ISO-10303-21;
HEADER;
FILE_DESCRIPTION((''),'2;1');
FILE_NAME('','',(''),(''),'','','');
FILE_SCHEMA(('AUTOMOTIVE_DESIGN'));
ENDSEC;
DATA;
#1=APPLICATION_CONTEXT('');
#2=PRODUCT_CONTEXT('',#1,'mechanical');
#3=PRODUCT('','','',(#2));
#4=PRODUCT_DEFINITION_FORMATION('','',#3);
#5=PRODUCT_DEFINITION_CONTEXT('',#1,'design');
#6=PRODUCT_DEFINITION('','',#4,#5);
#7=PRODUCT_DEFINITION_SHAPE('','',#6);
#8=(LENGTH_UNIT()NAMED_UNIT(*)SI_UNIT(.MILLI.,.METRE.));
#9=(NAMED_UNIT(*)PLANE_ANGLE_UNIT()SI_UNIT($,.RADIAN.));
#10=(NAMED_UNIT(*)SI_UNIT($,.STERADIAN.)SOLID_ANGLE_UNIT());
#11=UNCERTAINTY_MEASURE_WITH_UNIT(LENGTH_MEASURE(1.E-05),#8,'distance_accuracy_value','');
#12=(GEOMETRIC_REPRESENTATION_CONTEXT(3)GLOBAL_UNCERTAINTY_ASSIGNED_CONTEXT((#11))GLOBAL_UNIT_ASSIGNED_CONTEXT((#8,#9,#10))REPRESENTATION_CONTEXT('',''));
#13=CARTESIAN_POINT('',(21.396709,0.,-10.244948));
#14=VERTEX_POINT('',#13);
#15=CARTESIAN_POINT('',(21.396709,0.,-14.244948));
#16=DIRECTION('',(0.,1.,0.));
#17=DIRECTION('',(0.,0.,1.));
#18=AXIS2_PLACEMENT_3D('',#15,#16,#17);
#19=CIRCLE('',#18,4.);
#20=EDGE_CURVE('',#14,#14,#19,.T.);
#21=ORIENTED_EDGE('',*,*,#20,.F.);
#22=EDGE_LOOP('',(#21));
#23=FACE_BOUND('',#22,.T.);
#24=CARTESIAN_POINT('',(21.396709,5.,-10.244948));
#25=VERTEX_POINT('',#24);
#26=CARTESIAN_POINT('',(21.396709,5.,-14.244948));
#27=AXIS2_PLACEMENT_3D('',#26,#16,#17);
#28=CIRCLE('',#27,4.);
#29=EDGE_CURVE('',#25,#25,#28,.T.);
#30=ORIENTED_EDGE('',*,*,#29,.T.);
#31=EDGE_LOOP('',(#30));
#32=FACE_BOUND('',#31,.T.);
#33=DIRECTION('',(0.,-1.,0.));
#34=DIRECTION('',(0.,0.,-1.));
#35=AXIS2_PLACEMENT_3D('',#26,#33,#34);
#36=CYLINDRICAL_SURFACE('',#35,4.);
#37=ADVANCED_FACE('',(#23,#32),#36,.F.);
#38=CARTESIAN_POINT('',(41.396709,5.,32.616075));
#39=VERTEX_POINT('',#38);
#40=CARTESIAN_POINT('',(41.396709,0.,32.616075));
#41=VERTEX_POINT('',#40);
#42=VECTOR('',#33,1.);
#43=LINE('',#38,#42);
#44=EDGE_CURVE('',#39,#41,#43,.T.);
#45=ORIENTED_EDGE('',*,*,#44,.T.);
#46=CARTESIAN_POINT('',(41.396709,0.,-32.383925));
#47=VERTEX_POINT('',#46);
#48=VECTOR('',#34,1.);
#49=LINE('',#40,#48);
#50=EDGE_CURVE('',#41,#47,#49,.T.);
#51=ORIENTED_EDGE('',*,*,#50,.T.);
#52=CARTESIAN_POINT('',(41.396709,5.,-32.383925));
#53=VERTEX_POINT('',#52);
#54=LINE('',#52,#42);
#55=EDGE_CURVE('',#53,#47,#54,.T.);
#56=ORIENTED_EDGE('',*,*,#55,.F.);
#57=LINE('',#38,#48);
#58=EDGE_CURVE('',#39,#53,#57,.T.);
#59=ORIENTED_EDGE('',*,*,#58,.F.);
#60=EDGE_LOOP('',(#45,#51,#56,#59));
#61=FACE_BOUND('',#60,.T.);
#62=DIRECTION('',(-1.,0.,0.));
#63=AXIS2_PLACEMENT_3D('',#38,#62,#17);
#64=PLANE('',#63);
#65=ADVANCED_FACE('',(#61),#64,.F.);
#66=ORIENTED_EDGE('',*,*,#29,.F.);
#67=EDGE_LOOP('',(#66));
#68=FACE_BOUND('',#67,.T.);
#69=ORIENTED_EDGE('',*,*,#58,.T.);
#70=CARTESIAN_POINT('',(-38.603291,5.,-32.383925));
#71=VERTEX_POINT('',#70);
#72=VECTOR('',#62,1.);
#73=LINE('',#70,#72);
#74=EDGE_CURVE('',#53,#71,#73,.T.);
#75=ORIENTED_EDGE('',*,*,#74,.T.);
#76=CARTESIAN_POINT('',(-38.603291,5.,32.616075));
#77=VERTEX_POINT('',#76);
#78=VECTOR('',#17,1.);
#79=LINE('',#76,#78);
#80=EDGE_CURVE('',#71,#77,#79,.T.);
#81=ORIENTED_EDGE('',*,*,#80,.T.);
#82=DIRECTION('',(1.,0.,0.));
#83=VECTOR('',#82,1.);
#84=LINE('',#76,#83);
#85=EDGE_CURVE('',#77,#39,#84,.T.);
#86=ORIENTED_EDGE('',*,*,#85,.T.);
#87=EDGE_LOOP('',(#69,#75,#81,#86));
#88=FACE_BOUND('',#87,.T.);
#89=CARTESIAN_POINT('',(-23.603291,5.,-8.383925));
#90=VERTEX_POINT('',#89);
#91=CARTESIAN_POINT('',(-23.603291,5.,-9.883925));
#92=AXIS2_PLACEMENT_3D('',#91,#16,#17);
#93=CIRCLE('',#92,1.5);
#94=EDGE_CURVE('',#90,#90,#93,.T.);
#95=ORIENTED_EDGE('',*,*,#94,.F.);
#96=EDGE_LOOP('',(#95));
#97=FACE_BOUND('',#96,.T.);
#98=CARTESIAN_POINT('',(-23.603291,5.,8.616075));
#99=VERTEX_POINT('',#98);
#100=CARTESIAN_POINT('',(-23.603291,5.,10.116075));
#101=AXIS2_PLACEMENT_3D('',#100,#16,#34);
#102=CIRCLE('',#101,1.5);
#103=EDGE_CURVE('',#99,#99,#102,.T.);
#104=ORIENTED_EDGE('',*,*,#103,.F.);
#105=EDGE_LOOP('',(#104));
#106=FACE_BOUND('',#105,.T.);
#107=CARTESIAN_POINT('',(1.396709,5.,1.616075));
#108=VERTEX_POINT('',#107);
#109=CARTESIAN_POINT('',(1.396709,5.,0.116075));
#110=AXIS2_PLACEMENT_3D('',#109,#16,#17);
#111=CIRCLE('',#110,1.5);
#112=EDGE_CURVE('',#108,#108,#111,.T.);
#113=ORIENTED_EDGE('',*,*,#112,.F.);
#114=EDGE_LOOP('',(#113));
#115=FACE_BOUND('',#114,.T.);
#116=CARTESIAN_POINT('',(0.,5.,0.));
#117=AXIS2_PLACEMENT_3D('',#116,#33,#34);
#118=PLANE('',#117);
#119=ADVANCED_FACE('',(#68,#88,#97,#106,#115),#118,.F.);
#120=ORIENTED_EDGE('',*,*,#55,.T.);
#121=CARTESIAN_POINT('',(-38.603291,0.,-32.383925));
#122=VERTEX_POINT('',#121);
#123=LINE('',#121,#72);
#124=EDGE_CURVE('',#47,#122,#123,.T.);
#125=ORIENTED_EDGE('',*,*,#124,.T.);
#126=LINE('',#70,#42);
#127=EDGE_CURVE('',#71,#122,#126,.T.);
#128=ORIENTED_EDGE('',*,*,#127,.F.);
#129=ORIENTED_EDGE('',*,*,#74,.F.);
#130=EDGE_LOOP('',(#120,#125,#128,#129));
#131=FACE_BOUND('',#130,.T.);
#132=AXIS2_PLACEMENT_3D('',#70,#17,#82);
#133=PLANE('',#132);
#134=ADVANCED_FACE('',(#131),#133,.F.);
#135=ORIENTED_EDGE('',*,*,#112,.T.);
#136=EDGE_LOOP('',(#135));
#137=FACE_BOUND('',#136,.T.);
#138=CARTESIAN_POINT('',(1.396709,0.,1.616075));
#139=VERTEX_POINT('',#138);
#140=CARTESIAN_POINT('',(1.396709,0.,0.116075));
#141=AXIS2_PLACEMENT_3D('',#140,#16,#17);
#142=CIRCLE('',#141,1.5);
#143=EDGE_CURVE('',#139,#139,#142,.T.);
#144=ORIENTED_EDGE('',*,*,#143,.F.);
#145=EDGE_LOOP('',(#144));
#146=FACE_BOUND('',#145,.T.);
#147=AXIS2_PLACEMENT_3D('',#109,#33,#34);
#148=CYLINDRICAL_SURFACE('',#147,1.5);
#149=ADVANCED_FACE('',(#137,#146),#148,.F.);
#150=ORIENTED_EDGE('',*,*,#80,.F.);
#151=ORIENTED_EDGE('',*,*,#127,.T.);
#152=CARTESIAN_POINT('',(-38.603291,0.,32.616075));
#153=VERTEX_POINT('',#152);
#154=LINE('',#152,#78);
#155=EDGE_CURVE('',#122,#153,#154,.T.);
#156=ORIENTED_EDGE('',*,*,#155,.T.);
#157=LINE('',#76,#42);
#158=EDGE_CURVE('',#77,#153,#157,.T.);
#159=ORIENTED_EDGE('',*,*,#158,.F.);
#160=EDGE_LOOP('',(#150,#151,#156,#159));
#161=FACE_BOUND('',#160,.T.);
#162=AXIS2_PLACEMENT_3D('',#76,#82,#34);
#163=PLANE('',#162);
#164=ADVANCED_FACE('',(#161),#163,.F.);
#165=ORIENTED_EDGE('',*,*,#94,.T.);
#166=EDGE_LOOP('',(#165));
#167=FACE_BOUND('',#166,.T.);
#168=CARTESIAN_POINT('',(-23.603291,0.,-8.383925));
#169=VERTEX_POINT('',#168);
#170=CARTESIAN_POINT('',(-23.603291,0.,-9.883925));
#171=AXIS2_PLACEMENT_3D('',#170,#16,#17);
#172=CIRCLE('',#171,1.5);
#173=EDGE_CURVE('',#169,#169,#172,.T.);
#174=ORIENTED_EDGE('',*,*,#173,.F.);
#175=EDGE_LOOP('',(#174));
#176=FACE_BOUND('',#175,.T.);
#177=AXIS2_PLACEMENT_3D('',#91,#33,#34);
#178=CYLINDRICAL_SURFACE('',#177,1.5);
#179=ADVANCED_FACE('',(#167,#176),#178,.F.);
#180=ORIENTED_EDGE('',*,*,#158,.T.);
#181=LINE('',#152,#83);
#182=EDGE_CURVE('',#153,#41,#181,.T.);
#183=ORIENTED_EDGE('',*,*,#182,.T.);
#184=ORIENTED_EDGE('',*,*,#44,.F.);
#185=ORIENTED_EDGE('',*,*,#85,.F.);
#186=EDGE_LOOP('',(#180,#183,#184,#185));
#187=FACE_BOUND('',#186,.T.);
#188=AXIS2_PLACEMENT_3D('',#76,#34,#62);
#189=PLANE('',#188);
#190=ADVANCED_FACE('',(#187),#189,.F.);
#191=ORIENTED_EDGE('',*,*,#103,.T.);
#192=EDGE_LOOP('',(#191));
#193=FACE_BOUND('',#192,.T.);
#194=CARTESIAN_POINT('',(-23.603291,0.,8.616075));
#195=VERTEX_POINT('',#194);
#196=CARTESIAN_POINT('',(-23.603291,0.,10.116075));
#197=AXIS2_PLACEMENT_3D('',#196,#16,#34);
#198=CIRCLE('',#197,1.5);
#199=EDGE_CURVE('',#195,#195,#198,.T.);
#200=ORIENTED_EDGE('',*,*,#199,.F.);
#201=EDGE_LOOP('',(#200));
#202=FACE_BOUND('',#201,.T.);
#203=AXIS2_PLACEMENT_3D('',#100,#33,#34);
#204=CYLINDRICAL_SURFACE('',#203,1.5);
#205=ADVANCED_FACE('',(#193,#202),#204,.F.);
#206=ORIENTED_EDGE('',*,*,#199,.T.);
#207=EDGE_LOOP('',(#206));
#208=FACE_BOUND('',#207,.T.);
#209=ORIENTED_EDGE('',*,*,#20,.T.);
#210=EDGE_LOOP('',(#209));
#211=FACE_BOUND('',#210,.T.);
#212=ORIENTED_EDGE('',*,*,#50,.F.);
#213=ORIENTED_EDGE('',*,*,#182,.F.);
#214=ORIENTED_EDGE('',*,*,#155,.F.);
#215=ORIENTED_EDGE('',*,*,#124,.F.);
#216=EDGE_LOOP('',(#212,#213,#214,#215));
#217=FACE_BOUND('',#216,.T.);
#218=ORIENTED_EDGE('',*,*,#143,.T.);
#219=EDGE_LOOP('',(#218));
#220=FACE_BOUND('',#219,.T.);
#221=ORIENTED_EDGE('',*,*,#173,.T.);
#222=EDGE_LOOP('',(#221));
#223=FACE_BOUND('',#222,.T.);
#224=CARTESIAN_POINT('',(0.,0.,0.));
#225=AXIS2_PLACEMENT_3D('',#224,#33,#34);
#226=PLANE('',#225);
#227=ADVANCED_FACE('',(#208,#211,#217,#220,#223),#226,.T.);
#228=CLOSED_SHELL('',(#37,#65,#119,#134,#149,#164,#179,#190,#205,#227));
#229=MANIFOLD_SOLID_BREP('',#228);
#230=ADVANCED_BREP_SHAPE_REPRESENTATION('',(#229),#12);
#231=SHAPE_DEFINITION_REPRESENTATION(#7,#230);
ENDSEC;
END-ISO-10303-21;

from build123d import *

# Parameters (mm, degrees)
SKETCH1_W           = 80
SKETCH1_H           = 65
SKETCH1_R           = 4
SKETCH1_R_2         = 1.5
BOSS_EXTRUDE1_DEPTH = 5


with BuildPart() as part:
    # Sketch1 → Boss-Extrude1 (new body)
    with BuildSketch(Plane(origin=(0, 0, 0), x_dir=(1, 0, 0), z_dir=(0, 1, 0))):
        with Locations((1.396709306, -0.116075194)):
            Rectangle(SKETCH1_W, SKETCH1_H)
        with Locations(Location((21.396709306, 14.244948454, 0), (0, 0, 270))):
            Circle(SKETCH1_R, mode=Mode.SUBTRACT)
        with Locations(Location((-23.603290694, 9.883924806, 0), (0, 0, 270))):
            Circle(SKETCH1_R_2, mode=Mode.SUBTRACT)
        with Locations(Location((-23.603290694, -10.116075194, 0), (0, 0, 90))):
            Circle(SKETCH1_R_2, mode=Mode.SUBTRACT)
        with Locations(Location((1.396709306, -0.116075194, 0), (0, 0, 270))):
            Circle(SKETCH1_R_2, mode=Mode.SUBTRACT)
    extrude(amount=BOSS_EXTRUDE1_DEPTH)


solid = part.part
